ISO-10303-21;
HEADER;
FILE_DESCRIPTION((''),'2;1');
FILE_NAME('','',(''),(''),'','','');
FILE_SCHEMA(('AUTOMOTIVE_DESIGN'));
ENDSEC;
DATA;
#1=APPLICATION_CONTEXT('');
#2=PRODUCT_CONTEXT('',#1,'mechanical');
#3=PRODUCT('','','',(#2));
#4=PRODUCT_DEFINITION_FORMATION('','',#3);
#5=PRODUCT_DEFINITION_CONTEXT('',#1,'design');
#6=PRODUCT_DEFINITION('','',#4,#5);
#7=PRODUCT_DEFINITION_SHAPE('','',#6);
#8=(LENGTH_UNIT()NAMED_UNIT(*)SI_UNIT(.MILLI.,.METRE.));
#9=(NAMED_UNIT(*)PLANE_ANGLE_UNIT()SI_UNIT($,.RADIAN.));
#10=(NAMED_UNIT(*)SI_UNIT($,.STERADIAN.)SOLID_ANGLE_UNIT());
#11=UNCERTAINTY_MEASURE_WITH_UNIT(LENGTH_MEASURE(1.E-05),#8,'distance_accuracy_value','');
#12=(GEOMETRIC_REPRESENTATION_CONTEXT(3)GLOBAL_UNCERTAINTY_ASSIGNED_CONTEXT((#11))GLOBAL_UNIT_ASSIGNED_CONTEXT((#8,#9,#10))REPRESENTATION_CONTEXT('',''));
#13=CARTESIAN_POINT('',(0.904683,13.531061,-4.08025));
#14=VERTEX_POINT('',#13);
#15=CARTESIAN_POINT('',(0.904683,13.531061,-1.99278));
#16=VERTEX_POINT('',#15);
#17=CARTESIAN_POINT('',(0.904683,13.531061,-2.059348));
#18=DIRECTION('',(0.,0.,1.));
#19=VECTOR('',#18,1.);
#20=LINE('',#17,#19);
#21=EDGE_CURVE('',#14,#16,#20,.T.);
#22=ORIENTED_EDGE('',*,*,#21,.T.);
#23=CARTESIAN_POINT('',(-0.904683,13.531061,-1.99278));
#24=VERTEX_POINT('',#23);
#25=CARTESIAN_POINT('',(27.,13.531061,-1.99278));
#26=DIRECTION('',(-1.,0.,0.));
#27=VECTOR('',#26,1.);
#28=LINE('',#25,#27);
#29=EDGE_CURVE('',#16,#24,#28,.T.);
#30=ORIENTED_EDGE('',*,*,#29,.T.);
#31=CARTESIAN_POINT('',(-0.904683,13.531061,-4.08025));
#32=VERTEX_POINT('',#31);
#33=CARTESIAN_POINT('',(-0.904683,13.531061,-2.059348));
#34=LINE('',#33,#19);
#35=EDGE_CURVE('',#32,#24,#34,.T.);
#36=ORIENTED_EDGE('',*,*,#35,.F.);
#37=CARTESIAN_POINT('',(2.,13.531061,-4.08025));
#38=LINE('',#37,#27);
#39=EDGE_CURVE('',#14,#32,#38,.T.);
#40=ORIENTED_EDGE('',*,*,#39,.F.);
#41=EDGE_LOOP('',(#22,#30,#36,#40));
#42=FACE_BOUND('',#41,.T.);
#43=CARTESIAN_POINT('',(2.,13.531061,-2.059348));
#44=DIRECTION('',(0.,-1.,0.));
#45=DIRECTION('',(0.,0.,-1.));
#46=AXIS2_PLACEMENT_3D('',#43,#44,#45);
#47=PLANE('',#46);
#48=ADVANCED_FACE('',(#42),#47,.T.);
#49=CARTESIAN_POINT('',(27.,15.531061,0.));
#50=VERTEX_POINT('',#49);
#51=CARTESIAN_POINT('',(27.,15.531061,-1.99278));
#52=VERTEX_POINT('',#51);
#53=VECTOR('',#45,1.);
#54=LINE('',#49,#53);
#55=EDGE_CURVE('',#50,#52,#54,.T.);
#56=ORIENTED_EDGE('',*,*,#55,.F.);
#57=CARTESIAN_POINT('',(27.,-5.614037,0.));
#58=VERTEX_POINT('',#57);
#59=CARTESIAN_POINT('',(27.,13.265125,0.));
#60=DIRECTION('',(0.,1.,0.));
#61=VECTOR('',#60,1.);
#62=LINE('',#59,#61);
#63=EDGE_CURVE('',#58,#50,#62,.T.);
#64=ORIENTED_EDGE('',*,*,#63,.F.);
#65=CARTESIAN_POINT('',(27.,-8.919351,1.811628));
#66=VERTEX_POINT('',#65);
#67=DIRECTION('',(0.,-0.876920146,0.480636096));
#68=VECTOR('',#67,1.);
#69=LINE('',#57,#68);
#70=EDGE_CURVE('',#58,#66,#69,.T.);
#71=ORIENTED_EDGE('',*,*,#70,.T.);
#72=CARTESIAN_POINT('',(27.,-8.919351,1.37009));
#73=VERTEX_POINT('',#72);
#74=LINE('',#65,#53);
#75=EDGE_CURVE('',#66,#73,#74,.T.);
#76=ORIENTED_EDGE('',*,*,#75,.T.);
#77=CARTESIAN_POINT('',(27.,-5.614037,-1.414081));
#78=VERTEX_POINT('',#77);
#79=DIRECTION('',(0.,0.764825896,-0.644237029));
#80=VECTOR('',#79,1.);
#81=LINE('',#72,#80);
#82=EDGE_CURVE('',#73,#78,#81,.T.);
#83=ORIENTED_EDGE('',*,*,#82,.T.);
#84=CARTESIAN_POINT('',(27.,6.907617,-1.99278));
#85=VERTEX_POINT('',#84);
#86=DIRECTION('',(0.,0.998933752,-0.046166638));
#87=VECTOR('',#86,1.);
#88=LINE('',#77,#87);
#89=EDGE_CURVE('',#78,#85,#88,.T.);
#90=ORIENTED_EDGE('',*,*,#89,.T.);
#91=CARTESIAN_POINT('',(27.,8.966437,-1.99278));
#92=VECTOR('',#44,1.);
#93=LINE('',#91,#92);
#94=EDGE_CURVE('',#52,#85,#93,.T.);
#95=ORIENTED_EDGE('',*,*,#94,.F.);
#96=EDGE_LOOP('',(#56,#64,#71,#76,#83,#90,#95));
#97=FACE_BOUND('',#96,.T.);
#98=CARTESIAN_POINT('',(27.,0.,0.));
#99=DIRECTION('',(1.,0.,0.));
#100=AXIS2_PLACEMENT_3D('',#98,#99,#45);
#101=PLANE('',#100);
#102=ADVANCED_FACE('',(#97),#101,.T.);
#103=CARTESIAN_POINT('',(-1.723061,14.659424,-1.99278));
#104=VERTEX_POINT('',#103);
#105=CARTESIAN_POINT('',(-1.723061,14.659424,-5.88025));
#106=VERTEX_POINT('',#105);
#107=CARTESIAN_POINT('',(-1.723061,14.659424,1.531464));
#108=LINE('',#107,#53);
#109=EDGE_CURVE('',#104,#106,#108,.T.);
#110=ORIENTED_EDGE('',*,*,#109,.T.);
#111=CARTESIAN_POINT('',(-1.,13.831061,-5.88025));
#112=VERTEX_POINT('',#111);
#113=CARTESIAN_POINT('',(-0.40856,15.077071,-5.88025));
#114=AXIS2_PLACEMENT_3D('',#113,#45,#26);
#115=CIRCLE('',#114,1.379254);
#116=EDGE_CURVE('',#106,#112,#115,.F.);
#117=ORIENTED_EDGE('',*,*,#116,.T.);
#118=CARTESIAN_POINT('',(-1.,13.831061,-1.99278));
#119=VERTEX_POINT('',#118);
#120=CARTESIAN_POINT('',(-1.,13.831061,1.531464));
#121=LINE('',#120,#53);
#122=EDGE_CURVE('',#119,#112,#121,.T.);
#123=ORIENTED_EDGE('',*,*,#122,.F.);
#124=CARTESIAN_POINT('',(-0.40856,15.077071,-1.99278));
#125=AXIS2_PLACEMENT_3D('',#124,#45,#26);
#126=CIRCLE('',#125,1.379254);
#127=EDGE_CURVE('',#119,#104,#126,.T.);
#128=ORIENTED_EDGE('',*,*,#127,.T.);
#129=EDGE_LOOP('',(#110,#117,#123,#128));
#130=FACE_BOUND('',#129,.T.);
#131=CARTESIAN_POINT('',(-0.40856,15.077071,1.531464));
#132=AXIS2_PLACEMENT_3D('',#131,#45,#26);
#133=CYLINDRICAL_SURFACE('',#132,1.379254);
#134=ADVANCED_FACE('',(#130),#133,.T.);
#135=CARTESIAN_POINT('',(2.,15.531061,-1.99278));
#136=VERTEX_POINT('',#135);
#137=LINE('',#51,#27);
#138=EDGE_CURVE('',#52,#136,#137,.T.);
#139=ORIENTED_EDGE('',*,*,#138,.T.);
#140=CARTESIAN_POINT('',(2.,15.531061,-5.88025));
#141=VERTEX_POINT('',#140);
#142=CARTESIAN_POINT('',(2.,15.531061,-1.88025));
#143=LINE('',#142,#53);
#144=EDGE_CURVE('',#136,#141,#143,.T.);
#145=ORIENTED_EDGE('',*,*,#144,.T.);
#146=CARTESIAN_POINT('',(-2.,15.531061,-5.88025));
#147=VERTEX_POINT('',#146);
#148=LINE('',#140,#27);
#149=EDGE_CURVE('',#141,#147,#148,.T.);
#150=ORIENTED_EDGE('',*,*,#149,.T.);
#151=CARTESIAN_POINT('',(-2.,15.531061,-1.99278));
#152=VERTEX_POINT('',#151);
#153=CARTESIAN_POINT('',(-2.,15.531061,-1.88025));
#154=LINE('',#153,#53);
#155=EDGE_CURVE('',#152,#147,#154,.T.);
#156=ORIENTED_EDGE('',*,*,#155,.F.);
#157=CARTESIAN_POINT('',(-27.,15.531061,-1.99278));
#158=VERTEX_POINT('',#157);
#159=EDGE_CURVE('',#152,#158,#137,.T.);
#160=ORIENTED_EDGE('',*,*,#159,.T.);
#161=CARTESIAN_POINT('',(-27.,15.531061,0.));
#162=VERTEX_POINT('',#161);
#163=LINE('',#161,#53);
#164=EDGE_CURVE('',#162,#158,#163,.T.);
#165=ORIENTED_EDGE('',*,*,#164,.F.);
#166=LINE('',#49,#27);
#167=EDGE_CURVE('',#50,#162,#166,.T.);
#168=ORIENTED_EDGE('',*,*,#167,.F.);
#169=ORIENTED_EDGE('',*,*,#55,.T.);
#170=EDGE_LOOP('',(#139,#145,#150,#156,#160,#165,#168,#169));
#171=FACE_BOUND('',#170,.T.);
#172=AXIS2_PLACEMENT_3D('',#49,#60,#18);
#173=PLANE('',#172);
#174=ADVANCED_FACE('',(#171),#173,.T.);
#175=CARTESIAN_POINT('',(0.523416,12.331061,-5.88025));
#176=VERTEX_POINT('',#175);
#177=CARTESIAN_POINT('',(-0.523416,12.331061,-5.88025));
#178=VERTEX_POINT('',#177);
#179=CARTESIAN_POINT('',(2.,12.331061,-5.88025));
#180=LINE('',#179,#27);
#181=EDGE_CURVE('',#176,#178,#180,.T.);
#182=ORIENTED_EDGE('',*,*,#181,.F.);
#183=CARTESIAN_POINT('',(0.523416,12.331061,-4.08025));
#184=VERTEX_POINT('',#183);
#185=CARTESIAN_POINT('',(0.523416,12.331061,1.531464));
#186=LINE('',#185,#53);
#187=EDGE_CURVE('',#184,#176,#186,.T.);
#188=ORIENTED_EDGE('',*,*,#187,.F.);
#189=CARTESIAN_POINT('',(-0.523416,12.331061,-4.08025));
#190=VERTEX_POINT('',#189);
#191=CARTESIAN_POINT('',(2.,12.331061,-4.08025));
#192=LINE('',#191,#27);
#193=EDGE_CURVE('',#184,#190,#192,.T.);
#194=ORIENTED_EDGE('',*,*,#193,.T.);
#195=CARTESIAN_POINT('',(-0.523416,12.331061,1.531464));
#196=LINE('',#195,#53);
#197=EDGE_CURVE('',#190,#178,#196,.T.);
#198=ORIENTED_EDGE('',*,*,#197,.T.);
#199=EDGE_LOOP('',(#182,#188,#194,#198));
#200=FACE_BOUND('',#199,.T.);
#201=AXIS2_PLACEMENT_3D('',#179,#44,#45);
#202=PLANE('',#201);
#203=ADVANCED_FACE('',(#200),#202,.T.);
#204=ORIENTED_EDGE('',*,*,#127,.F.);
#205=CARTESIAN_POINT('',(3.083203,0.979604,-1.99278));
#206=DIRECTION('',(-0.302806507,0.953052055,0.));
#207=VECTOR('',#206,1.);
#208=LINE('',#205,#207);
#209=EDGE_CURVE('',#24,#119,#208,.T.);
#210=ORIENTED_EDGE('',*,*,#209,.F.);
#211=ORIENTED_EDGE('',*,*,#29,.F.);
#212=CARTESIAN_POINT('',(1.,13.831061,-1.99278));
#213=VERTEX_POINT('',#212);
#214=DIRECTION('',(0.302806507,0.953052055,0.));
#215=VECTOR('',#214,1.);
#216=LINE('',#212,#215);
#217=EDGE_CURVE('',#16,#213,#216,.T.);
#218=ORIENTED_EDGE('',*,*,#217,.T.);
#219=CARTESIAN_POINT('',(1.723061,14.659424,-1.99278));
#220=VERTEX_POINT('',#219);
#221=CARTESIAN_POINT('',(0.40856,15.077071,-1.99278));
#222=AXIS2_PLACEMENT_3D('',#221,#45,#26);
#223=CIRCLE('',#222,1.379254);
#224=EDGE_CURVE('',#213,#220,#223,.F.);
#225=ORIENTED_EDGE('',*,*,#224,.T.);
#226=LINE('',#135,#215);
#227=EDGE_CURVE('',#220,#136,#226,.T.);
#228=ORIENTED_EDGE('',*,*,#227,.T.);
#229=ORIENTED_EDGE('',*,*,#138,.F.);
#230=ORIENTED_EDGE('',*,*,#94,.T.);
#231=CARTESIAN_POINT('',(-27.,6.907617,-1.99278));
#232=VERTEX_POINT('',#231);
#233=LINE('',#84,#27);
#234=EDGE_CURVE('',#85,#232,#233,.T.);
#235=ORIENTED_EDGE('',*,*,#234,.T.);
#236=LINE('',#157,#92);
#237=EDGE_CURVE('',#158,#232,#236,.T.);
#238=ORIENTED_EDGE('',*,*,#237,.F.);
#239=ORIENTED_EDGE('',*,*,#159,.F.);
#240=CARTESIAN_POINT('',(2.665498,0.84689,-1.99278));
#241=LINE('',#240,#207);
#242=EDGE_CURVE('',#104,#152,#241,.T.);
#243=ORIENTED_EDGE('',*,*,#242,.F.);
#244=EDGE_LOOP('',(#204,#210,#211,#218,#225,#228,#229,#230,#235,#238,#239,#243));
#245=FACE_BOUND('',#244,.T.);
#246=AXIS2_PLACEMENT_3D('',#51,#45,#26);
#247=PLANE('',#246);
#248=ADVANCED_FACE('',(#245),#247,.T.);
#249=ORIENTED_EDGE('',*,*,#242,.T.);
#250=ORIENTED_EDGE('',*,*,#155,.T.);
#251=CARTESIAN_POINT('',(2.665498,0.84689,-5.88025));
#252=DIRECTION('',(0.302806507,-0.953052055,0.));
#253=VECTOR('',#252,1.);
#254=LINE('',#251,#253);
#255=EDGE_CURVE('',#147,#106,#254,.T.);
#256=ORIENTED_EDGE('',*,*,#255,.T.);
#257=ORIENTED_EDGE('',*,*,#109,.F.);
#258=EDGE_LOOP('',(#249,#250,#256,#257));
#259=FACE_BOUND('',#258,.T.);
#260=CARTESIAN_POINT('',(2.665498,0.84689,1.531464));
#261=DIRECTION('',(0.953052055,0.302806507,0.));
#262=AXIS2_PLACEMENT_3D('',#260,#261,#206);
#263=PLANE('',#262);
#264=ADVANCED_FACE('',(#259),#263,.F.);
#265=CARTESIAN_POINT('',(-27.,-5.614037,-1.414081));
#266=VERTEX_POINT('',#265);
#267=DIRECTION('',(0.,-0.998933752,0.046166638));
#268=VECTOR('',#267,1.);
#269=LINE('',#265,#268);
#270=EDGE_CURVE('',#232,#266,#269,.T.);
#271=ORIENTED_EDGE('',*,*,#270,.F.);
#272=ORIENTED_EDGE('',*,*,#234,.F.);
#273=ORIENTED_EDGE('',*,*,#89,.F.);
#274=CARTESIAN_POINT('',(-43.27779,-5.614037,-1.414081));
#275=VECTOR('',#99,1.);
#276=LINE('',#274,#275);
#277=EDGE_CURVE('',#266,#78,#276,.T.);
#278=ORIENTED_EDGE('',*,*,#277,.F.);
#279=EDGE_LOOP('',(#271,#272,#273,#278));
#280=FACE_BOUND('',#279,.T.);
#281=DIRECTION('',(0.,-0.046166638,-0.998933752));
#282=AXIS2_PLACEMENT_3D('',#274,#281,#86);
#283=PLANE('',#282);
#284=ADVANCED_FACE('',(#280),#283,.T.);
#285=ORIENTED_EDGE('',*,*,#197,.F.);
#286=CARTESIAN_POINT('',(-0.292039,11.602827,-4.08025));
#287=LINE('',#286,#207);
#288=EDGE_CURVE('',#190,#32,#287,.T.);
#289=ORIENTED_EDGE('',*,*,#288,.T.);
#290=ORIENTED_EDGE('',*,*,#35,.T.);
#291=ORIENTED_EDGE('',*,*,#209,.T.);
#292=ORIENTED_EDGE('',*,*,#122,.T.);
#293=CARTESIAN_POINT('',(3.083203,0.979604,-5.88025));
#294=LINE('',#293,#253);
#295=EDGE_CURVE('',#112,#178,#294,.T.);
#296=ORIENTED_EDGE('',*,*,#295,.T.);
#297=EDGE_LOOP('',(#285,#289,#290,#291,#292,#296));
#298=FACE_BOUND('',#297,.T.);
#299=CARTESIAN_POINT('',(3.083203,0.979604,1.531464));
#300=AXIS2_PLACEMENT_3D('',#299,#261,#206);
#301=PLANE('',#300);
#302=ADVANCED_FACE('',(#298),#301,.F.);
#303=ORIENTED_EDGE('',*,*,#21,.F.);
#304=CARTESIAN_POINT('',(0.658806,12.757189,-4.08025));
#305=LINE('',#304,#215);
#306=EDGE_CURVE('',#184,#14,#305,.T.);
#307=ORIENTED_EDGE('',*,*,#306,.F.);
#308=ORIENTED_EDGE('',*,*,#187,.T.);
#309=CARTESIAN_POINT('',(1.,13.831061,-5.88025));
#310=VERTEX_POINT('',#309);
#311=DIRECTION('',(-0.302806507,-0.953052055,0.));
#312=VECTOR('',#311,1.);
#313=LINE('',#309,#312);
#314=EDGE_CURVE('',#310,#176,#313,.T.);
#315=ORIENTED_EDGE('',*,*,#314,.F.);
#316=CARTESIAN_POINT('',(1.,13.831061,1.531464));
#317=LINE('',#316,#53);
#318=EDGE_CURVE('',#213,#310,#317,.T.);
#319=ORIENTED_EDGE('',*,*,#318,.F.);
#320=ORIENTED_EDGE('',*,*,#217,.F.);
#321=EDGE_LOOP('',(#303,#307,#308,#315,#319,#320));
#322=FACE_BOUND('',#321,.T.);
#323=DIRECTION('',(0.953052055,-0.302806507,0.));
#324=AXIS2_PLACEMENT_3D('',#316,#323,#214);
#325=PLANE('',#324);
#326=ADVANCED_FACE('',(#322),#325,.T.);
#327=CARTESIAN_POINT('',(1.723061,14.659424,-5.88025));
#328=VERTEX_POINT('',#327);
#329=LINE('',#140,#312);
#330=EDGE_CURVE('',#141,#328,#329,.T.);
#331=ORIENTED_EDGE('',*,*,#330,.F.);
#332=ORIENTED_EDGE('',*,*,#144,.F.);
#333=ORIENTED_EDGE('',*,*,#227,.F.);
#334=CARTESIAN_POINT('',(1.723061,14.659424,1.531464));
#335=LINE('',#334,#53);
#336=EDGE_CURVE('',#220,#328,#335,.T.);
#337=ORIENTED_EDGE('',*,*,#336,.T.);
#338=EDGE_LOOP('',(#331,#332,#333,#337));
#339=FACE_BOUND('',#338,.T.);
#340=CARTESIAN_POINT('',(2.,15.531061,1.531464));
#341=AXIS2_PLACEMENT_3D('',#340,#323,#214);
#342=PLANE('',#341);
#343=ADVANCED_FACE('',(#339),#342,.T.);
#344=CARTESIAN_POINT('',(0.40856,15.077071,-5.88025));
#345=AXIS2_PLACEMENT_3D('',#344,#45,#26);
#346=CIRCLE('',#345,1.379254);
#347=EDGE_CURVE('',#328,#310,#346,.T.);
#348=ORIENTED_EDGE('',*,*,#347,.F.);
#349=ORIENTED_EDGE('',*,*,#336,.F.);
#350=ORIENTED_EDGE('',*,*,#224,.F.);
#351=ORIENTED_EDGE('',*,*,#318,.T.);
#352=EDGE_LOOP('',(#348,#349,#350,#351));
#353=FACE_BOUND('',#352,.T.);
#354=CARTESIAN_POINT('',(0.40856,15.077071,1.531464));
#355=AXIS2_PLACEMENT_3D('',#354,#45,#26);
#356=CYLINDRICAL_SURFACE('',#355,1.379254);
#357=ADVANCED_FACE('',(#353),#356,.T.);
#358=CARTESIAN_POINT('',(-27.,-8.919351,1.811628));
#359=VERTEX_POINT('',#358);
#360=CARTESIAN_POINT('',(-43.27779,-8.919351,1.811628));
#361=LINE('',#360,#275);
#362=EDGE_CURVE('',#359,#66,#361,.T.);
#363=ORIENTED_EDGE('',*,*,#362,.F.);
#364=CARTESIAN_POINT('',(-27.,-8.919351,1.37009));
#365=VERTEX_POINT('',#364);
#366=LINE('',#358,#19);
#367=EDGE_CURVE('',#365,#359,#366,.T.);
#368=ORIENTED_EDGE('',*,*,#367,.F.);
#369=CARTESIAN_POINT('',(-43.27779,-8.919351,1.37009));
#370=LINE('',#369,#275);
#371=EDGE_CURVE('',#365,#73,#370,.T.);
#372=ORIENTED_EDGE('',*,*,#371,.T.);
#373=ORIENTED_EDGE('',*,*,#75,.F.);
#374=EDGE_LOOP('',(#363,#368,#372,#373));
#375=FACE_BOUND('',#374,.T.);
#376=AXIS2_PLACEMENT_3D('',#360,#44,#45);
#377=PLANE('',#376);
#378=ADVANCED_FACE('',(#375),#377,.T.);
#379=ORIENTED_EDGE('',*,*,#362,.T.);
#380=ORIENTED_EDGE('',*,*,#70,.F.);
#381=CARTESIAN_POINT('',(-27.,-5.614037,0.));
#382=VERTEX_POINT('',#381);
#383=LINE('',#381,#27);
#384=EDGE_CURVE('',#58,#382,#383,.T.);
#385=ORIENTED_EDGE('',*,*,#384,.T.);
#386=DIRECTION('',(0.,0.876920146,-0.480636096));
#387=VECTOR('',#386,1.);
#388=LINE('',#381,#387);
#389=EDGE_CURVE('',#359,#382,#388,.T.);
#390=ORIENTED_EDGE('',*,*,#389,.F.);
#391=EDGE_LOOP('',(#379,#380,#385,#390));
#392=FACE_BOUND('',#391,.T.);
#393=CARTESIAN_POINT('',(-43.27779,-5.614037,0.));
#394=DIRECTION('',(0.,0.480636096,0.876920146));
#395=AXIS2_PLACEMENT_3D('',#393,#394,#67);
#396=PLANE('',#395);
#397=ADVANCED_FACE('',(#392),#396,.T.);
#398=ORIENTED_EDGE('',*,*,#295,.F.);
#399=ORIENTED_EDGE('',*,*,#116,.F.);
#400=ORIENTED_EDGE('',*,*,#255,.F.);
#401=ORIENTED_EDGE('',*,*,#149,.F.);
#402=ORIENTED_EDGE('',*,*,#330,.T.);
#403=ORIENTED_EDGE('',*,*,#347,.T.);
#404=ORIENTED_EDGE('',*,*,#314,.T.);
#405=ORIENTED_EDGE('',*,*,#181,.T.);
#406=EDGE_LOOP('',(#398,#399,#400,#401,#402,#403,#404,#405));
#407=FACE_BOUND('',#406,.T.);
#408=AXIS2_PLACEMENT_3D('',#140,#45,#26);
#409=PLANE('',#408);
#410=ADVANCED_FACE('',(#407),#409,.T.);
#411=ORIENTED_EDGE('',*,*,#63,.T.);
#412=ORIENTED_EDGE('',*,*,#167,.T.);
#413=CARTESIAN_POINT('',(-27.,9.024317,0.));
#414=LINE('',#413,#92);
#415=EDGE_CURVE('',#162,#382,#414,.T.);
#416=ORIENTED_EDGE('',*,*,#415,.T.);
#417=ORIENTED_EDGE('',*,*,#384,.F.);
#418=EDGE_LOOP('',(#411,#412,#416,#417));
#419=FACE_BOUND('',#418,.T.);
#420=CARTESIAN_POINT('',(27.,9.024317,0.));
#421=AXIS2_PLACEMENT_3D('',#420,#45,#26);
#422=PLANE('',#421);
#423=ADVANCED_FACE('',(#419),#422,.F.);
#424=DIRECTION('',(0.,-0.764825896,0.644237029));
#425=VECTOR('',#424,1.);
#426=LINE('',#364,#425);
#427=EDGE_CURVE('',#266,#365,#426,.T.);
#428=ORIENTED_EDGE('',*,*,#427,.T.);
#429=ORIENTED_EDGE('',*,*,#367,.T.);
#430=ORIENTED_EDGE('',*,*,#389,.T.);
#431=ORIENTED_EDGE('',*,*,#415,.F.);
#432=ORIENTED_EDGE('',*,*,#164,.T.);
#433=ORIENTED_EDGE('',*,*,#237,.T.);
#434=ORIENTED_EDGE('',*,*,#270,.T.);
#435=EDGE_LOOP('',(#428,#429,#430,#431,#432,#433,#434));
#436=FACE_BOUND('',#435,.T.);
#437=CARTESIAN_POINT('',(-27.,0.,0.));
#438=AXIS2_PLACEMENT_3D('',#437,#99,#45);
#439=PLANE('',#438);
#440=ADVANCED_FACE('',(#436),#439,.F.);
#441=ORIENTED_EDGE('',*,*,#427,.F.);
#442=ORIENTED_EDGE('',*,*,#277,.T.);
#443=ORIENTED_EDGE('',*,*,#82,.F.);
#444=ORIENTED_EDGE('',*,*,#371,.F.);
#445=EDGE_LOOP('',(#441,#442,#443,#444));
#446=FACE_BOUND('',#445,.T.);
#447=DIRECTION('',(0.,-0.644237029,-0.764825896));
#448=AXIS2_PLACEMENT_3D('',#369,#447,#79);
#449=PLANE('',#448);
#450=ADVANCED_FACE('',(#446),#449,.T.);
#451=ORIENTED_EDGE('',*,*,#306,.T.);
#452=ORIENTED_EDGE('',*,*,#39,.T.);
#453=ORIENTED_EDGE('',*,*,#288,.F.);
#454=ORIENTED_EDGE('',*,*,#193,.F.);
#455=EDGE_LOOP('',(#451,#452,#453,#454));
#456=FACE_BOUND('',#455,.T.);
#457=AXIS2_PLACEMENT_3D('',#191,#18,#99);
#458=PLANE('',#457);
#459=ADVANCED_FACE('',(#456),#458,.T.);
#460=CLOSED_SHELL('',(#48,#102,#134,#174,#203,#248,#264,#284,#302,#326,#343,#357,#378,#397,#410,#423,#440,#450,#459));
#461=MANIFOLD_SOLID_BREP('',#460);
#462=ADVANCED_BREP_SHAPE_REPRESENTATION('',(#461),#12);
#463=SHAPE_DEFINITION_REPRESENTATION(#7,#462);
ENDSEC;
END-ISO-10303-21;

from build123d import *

# Parameters (mm, degrees)
EXTRUDE_1_DEPTH      = 27
SKETCH_2_W           = 9
SKETCH_2_H           = 4
CUT_EXTRUDE_1_DEPTH  = 4
SKETCH_3_W           = 9
SKETCH_3_H           = 3.038101075
EXTRUDE_2_DEPTH      = 3
SKETCH_4_R           = 1.5
CUT_EXTRUDE_2_DEPTH  = 9
EXTRUDE_3_DEPTH      = 2
CUT_EXTRUDE_8_DEPTH  = 3.887469
SKETCH_8_W           = 8.610608055
SKETCH_8_H           = 13.248031464
CUT_EXTRUDE_9_DEPTH  = 54
EXTRUDE_4_DEPTH      = 54
SKETCH_12_W          = 24
SKETCH_12_H          = 6.005920689
SKETCH_12_H_2        = 6.032486627
EXTRUDE_6_DEPTH      = 2.215161
EXTRUDE_7_DEPTH      = 54
CUT_EXTRUDE_11_DEPTH = 54


with BuildPart() as part:
    # 草图1 → 凸台-拉伸1 (new body, symmetric)
    with BuildSketch(Plane(origin=(0, 0, 0), x_dir=(0, 0, -1), z_dir=(1, 0, 0))):
        Polygon((6.496390194, -5.234874936), (6.496390194, -1.191259859), (6.496390194, 1.388117725), (6.496390194, 3.400940667), (2.492073736, 5.926640843), (1.992780388, 6.907616744), (1.992780388, 8.966437233), (1.992780388, 13.434908234), (1.992780388, 15.531060696), (0, 15.531060696), (0, 13.265125064), (0, 9.02431695), (0, 5.531060696), (1.075983727, 5.531060696), (2.127060271, 3.7449116), (2.127060271, 3.316049082), (3.852001832, 3.316049082), (3.852001832, -5.234874936), align=None)
    extrude(amount=EXTRUDE_1_DEPTH, both=True)

    # 草图2 → 切除-拉伸1 (cut)
    with BuildSketch(Plane(origin=(0, 0, -6.496390194), x_dir=(-1, 0, 0), z_dir=(0, 0, -1))):
        with Locations((0, -3.734874936)):
            Rectangle(SKETCH_2_W, SKETCH_2_H)
    extrude(amount=-CUT_EXTRUDE_1_DEPTH, mode=Mode.SUBTRACT)

    # 草图3 → 凸台-拉伸2 (add)
    with BuildSketch(Plane(origin=(0, 0, -6.496390194), x_dir=(-1, 0, 0), z_dir=(0, 0, -1))):
        with Locations((0, -0.215824399)):
            Rectangle(SKETCH_3_W, SKETCH_3_H)
    extrude(amount=EXTRUDE_2_DEPTH)

    # 草图4 → 切除-拉伸2 (cut)
    with BuildSketch(Plane.XZ.offset(1.734874936)):
        with Locations((0, -6.102001832)):
            Circle(SKETCH_4_R)
    extrude(amount=-CUT_EXTRUDE_2_DEPTH, mode=Mode.SUBTRACT)

    # 草图6 → 凸台-拉伸3 (add, symmetric)
    with BuildSketch(Plane(origin=(0, 0, 0), x_dir=(0, 0, -1), z_dir=(1, 0, 0))):
        Polygon((1.880249614, 15.531060696), (5.880249614, 15.531060696), (5.880249614, 12.331060696), (4.080249614, 12.331060696), (4.080249614, 13.531060696), (2.0593477, 13.531060696), (1.880249614, 13.531060696), align=None)
    extrude(amount=EXTRUDE_3_DEPTH, both=True)

    # 草图7 → 切除-拉伸8 (cut)
    with BuildSketch(Plane(origin=(0, 0, -5.880249614), x_dir=(-1, 0, 0), z_dir=(0, 0, -1))):
        with BuildLine():
            Line((1, 13.831060696), (0.52341558, 12.331060696))
            Line((0.52341558, 12.331060696), (2, 12.331060696))
            Line((2, 12.331060696), (2, 15.531060696))
            Line((2, 15.531060696), (1.723060875, 14.659423543))
            ThreePointArc((1.723060875, 14.659423543), (1.447645575, 14.170073989), (1, 13.831060696))
        make_face()
        with BuildLine():
            ThreePointArc((-1.723060875, 14.659423543), (-1.447645575, 14.170073989), (-1, 13.831060696))
            Line((-1, 13.831060696), (-0.52341558, 12.331060696))
            Line((-0.52341558, 12.331060696), (-2, 12.331060696))
            Line((-2, 12.331060696), (-2, 15.531060696))
            Line((-2, 15.531060696), (-1.723060875, 14.659423543))
        make_face()
    extrude(amount=-CUT_EXTRUDE_8_DEPTH, mode=Mode.SUBTRACT)

    # 草图8 → 切除-拉伸9 (cut)
    with BuildSketch(Plane.ZY.offset(27)):
        with Locations((-8.09764747, -1.373941145)):
            Rectangle(SKETCH_8_W, SKETCH_8_H)
    extrude(amount=-CUT_EXTRUDE_9_DEPTH, mode=Mode.SUBTRACT)

    # 草图9 → 凸台-拉伸4 (add)
    with BuildSketch(Plane.ZY.offset(27)):
        Polygon((-2.215161152, 3.316049082), (-2.127060271, 3.316049082), (-2.215161152, 0.39188408), (-2.215161152, -5.614036609), (-3.792343442, -5.614036609), (-3.792343442, 3.316049082), align=None)
    extrude(amount=-EXTRUDE_4_DEPTH)

    # 草图12 → 凸台-拉伸6 (add)
    with BuildSketch(Plane.XY.offset(-2.215161152)):
        with Locations((-15, -2.611076265)):
            Rectangle(SKETCH_12_W, SKETCH_12_H)
        with Locations((15, -2.597793296)):
            Rectangle(SKETCH_12_W, SKETCH_12_H_2)
    extrude(amount=EXTRUDE_6_DEPTH)

    # 草图14 → 凸台-拉伸7 (add)
    with BuildSketch(Plane(origin=(27, 0, 0), x_dir=(0, 0, -1), z_dir=(1, 0, 0))):
        Polygon((0, 5.531060696), (0, 0.203028752), (0, -5.614036609), (-1.811628389, -8.919351055), (-1.370090128, -8.919351055), (1.414080713, -5.614036609), (1.992780388, 6.907616744), (0, 6.907616744), align=None)
    extrude(amount=-EXTRUDE_7_DEPTH)

    # 草图15 → 切除-拉伸11 (cut)
    with BuildSketch(Plane(origin=(27, 0, 0), x_dir=(0, 0, -1), z_dir=(1, 0, 0))):
        Polygon((1.992780388, 6.907616744), (1.414080713, -5.614036609), (3.792343442, -5.614036609), (3.792343442, 5.106503009), align=None)
    extrude(amount=-CUT_EXTRUDE_11_DEPTH, mode=Mode.SUBTRACT)


solid = part.part
